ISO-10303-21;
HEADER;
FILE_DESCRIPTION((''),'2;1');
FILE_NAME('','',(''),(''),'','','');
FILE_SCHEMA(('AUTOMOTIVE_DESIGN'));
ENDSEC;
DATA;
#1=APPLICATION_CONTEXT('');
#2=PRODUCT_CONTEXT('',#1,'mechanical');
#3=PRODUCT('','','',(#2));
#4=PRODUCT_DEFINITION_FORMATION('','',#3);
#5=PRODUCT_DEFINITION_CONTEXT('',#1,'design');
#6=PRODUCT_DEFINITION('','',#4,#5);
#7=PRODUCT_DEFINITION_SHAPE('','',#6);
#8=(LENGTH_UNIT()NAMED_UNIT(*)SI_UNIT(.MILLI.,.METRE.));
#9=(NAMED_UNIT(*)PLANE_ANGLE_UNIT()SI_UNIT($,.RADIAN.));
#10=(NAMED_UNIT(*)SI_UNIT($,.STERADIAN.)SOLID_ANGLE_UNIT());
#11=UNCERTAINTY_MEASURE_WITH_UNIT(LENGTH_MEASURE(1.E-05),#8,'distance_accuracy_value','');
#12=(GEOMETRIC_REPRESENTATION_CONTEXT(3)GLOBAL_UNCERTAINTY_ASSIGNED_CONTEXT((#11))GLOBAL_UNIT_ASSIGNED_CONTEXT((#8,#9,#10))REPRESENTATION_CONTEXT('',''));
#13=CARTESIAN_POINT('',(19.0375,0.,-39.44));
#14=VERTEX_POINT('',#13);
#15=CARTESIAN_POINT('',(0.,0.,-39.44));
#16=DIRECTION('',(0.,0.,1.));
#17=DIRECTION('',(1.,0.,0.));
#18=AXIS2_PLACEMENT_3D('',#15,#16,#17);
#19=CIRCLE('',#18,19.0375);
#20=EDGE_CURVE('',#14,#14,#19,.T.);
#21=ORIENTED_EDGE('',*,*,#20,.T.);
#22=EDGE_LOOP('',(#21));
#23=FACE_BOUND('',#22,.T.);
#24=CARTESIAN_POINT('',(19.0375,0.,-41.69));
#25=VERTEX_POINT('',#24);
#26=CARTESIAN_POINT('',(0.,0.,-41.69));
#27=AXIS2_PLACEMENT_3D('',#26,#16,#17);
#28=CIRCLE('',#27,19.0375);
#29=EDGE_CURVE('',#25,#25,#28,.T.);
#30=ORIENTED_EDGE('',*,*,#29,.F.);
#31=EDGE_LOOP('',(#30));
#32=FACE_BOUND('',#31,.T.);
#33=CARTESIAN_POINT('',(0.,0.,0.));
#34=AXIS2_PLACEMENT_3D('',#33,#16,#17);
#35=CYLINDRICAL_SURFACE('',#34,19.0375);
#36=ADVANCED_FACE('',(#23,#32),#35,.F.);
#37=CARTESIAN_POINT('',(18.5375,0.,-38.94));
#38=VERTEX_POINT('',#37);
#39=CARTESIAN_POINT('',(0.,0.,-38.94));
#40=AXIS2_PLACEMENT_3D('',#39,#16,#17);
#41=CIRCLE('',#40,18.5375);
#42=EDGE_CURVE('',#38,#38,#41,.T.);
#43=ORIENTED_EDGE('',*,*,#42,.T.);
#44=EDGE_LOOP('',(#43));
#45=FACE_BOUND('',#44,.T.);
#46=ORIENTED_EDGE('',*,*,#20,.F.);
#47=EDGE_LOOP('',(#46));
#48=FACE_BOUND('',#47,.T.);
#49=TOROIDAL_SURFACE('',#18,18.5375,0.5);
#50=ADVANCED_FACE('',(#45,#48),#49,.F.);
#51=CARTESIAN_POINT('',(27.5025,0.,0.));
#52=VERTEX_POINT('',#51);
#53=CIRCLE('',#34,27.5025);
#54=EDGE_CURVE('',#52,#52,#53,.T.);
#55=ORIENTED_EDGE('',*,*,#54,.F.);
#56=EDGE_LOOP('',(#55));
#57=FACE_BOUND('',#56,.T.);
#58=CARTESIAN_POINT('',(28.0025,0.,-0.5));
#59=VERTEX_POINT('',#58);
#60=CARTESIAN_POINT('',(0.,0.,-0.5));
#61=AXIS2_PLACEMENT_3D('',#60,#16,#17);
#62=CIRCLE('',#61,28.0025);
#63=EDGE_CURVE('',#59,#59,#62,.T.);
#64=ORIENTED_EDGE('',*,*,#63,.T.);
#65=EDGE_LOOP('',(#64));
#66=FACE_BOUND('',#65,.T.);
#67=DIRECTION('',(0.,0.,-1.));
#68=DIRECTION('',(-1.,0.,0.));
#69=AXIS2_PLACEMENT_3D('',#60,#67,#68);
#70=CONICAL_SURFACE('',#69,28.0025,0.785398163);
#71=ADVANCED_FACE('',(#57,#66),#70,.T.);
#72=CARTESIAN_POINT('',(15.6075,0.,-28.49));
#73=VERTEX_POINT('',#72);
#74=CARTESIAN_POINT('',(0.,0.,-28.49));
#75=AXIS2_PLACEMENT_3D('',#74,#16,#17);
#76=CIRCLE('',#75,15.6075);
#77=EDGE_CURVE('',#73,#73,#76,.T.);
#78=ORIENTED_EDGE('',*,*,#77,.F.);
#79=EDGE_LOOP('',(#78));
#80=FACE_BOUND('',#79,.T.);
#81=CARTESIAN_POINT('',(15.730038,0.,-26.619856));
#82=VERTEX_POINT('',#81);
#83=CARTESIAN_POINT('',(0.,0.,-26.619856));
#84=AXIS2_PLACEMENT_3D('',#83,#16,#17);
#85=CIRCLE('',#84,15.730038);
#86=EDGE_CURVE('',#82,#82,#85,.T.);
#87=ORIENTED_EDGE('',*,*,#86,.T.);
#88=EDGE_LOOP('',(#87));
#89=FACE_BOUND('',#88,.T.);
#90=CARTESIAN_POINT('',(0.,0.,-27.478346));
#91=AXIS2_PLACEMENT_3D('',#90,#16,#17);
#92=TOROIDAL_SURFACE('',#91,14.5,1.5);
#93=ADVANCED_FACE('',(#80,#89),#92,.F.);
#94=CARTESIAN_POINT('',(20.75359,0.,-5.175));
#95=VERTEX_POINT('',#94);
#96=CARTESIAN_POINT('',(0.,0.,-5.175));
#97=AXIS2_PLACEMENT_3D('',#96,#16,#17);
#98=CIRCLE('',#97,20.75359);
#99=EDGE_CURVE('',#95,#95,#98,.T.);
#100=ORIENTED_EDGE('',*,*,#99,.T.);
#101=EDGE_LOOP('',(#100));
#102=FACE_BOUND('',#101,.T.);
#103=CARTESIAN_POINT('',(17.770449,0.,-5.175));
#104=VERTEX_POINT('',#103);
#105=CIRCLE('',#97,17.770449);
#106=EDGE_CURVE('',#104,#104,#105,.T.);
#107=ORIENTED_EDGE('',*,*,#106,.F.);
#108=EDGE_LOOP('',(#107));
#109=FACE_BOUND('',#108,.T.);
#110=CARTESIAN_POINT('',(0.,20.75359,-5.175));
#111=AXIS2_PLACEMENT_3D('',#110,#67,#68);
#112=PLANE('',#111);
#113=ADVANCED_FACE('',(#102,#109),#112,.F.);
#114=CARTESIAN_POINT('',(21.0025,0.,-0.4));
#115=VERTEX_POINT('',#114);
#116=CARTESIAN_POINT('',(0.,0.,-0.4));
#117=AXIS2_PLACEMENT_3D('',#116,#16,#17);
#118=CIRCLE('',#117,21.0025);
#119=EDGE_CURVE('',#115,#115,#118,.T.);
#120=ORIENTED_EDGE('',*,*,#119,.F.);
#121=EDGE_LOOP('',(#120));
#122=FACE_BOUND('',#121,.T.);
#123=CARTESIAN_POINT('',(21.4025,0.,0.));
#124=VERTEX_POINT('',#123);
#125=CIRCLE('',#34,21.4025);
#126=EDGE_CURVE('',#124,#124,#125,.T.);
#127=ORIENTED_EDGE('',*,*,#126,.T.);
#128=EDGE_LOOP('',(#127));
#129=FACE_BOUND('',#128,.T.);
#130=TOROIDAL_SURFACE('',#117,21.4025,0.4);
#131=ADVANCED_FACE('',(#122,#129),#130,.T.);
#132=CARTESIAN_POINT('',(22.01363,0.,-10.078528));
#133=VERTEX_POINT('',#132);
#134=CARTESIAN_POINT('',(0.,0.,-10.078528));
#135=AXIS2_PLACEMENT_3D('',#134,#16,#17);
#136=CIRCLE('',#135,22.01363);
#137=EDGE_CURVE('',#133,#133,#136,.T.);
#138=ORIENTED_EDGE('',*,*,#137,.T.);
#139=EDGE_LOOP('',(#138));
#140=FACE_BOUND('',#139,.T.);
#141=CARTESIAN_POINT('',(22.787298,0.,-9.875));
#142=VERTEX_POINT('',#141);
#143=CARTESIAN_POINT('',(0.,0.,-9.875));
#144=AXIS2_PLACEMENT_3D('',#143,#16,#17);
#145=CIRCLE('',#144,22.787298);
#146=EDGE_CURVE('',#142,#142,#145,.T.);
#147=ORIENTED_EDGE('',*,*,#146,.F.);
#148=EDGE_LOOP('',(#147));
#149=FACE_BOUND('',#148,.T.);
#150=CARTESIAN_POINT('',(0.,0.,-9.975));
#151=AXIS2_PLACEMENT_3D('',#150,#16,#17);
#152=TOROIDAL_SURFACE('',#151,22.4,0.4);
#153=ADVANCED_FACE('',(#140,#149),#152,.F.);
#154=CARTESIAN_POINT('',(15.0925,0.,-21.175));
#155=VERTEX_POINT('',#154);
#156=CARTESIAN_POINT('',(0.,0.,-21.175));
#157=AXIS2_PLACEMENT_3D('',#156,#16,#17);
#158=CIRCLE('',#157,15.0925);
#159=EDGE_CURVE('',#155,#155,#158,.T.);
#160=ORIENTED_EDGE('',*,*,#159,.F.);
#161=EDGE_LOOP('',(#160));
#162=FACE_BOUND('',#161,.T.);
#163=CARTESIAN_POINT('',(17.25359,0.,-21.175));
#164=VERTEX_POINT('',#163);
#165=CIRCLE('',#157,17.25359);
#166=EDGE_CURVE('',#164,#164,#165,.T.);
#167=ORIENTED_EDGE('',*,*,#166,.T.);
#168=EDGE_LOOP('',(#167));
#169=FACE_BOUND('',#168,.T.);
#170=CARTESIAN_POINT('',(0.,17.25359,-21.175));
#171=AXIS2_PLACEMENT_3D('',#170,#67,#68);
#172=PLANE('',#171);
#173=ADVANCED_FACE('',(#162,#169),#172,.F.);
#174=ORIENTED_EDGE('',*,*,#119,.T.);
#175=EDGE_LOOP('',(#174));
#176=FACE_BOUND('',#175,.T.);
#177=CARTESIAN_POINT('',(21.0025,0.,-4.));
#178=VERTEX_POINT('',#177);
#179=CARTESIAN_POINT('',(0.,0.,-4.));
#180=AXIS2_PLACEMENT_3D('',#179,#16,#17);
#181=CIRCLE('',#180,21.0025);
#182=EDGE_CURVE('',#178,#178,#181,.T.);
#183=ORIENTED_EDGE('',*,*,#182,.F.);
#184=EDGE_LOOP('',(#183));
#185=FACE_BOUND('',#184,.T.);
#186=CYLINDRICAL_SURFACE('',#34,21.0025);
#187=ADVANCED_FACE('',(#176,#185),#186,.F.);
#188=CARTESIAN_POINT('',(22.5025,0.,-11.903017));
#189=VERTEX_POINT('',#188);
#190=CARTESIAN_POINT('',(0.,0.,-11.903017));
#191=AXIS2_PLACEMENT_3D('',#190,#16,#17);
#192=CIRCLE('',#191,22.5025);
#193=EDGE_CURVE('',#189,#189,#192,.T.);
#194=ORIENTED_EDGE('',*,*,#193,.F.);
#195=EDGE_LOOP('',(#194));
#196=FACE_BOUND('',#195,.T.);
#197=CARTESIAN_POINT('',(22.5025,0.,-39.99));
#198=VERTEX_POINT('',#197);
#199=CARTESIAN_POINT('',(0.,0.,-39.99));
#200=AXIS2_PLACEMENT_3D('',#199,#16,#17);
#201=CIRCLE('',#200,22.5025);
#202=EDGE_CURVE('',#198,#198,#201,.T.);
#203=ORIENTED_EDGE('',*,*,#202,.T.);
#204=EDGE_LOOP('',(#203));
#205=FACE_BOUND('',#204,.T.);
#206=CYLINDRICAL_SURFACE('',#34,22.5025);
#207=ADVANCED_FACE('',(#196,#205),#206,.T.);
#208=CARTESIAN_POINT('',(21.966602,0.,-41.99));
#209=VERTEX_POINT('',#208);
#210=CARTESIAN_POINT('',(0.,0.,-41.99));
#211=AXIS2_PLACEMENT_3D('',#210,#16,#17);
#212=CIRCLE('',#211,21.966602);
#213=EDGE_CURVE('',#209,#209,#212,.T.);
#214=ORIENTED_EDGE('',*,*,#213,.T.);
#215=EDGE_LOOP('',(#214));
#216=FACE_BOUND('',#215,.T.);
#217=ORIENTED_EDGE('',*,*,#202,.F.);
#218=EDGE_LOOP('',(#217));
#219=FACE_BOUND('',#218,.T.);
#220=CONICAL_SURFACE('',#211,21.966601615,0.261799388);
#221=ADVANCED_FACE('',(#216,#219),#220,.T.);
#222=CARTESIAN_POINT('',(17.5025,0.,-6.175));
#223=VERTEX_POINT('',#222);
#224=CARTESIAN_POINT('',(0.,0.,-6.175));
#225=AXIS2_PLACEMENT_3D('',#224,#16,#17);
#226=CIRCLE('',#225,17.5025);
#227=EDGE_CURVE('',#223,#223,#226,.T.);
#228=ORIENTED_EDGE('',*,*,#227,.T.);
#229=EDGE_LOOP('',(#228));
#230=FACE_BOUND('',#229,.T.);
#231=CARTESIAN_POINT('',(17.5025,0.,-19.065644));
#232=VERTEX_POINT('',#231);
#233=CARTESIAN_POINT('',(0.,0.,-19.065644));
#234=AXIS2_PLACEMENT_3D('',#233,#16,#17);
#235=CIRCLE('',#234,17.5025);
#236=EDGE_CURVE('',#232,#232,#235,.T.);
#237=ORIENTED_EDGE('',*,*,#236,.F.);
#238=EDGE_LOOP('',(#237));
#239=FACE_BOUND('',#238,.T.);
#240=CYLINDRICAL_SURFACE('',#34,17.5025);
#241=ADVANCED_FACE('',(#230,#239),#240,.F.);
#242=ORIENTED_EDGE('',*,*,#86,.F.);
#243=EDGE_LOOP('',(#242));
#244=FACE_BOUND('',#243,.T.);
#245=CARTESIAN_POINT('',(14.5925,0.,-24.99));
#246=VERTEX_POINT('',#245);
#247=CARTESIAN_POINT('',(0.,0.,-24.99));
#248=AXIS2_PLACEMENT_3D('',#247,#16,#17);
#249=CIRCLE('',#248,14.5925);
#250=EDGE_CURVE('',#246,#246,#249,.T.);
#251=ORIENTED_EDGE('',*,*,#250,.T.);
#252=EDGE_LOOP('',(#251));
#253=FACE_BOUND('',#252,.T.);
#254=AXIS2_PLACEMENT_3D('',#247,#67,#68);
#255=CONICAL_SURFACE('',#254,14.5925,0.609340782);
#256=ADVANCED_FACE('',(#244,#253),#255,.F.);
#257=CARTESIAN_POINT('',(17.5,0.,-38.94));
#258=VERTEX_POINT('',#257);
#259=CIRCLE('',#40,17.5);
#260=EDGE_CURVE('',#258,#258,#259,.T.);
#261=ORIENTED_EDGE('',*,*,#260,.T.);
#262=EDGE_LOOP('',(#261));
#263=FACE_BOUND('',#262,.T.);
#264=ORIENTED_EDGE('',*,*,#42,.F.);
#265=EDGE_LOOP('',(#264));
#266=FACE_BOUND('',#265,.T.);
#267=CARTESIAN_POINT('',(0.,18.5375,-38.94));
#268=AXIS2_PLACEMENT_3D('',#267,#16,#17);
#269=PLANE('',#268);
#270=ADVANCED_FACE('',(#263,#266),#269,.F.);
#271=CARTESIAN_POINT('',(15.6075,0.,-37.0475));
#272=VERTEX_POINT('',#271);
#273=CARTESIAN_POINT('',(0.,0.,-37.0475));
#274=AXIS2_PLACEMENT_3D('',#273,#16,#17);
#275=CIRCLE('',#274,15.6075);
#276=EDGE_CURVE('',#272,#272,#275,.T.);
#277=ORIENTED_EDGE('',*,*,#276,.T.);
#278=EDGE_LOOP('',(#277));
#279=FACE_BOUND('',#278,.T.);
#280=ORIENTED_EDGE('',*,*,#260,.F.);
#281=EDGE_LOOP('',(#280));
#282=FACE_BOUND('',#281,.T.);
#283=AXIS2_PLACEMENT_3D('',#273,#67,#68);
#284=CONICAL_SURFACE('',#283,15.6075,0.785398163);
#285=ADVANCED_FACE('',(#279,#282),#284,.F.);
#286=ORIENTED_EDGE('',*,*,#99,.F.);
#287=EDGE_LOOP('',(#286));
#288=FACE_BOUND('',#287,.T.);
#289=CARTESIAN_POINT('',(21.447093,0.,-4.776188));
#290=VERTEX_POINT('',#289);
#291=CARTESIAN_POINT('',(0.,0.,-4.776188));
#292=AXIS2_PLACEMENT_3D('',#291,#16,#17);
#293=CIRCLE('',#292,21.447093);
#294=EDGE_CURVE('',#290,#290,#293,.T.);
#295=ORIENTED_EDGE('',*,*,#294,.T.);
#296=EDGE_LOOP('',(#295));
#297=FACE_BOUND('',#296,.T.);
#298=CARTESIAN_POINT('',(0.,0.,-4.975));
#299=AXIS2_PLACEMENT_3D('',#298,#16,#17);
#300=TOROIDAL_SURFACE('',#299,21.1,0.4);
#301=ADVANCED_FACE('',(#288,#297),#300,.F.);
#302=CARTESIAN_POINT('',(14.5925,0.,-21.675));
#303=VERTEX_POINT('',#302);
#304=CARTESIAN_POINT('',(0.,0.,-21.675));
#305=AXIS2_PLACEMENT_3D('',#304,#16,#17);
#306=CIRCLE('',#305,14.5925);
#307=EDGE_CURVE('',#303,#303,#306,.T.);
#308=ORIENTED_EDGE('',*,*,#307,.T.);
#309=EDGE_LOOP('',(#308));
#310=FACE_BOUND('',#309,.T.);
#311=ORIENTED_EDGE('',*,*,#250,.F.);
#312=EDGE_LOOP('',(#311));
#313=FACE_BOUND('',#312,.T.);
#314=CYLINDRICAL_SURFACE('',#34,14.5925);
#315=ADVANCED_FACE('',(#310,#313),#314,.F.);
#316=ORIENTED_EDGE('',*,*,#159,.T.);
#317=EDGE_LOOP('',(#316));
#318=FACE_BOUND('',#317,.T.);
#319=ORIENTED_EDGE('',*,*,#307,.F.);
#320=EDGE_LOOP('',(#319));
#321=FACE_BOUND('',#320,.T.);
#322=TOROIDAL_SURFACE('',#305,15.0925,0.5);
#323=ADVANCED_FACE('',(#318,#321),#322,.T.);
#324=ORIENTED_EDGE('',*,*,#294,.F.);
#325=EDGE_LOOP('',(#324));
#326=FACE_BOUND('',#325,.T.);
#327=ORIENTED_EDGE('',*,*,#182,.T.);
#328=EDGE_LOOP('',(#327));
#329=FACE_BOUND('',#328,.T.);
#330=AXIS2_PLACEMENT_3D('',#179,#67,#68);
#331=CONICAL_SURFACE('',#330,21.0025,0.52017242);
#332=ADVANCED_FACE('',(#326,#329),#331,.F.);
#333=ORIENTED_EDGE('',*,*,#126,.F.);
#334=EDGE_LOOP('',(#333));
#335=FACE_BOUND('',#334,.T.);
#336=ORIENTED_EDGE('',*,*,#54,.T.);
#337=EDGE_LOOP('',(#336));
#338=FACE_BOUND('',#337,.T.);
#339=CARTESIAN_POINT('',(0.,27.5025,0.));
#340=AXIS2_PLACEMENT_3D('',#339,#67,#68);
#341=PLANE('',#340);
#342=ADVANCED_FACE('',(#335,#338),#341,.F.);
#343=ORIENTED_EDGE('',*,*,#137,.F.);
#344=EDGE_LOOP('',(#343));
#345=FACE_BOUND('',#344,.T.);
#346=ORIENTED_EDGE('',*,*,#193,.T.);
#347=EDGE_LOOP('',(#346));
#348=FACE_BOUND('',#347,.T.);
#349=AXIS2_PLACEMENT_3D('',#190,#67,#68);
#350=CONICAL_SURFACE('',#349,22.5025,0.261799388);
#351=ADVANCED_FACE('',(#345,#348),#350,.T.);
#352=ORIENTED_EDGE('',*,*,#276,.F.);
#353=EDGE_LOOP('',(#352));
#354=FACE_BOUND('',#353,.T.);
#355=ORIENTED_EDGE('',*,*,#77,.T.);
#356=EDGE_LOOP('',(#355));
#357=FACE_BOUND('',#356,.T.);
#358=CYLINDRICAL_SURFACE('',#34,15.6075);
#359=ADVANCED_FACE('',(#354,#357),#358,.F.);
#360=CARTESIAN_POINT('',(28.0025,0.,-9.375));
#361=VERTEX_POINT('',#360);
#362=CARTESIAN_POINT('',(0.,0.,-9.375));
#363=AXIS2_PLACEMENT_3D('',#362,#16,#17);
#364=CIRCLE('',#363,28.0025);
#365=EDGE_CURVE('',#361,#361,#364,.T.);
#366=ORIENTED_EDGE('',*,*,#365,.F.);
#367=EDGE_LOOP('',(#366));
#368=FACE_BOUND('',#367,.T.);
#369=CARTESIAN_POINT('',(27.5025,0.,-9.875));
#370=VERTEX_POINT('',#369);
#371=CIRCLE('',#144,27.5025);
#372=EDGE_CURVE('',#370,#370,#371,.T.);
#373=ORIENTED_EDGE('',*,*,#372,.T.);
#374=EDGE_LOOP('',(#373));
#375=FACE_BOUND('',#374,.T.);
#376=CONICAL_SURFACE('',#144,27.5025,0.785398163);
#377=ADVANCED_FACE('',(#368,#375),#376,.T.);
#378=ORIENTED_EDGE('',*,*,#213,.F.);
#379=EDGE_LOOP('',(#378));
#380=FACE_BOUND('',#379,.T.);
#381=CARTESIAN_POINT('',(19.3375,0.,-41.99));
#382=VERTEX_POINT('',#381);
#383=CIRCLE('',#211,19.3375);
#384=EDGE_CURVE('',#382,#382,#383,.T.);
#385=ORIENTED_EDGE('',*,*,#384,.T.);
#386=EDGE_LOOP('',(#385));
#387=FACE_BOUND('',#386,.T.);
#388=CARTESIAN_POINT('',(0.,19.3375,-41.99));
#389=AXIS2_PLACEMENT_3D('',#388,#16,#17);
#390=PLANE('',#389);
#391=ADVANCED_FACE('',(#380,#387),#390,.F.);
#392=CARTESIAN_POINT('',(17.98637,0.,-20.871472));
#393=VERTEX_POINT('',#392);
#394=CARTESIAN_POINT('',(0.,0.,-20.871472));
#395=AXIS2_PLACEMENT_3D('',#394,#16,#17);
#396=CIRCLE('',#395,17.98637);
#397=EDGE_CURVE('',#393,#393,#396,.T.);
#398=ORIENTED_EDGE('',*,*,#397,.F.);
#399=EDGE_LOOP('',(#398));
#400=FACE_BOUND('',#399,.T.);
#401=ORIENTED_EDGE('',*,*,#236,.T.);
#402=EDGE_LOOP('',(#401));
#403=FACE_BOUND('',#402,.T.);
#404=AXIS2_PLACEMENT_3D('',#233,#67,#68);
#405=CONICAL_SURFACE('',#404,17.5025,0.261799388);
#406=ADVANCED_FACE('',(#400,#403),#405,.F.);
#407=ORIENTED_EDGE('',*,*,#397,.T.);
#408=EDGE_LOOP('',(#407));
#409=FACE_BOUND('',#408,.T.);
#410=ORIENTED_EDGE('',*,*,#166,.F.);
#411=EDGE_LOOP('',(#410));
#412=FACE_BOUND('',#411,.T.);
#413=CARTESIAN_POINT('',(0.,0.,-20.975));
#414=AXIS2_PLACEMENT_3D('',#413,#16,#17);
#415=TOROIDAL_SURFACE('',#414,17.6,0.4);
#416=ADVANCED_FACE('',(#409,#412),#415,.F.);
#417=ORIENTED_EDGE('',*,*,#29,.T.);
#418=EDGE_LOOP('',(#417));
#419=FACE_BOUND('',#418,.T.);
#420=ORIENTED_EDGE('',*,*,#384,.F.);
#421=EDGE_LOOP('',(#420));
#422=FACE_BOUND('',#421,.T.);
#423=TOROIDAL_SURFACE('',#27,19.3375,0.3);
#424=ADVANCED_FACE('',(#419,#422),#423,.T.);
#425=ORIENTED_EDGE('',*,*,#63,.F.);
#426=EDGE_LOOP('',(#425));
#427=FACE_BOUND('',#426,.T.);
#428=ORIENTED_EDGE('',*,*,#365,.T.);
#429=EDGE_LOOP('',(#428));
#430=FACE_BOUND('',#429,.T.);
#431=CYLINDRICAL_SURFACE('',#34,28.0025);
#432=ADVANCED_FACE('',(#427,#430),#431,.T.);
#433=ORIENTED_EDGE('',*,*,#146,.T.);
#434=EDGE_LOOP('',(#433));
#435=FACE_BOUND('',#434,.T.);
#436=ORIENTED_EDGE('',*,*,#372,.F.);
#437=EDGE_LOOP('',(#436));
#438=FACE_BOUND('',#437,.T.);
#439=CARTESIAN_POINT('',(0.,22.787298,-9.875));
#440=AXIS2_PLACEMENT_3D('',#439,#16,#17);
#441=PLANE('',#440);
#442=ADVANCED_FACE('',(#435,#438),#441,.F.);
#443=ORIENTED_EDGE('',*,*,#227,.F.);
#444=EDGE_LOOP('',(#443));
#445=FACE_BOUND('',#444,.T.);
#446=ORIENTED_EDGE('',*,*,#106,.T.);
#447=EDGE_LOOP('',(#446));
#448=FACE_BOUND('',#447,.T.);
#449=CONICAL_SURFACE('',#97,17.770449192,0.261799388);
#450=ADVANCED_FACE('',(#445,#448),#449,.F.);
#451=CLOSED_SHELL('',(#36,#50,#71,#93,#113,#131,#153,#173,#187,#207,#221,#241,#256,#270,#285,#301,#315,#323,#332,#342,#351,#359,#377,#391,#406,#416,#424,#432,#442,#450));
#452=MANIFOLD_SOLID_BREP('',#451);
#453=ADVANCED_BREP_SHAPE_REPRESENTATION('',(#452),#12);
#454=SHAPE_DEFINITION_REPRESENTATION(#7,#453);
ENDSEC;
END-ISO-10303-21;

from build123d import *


with BuildPart() as part:
    # Sketch1 → Revolve1 (revolve)
    with BuildSketch(Plane(origin=(0, 0, 0), x_dir=(0, 0, -1), z_dir=(1, 0, 0)), mode=Mode.PRIVATE) as revolve1_sk:
        with BuildLine():
            Line((0, 27.5025), (0, 21.4025))
            ThreePointArc((0, 21.4025), (0.117157288, 21.119657288), (0.4, 21.0025))
            Line((0.4, 21.0025), (4, 21.0025))
            Line((4, 21.0025), (4.776188096, 21.447093398))
            ThreePointArc((4.776188096, 21.447093398), (5.321752289, 21.299406245), (5.175, 20.753589838))
            Line((5.175, 20.753589838), (5.175, 17.770449192))
            Line((5.175, 17.770449192), (6.175, 17.5025))
            Line((6.175, 17.5025), (19.065643724, 17.5025))
            Line((19.065643724, 17.5025), (20.871472382, 17.986370331))
            ThreePointArc((20.871472382, 17.986370331), (21.344551813, 17.753073373), (21.175, 17.253589838))
            Line((21.175, 17.253589838), (21.175, 15.0925))
            ThreePointArc((21.175, 15.0925), (21.321446609, 14.738946609), (21.675, 14.5925))
            Line((21.675, 14.5925), (24.99, 14.5925))
            Line((24.99, 14.5925), (26.619855519, 15.730038226))
            ThreePointArc((26.619855519, 15.730038226), (27.576420826, 15.996790344), (28.49, 15.6075))
            Line((28.49, 15.6075), (37.0475, 15.6075))
            Line((37.0475, 15.6075), (38.94, 17.5))
            Line((38.94, 17.5), (38.94, 18.5375))
            ThreePointArc((38.94, 18.5375), (39.086446609, 18.891053391), (39.44, 19.0375))
            Line((39.44, 19.0375), (41.69, 19.0375))
            ThreePointArc((41.69, 19.0375), (41.902132034, 19.125367966), (41.99, 19.3375))
            Line((41.99, 19.3375), (41.99, 21.966601615))
            Line((41.99, 21.966601615), (39.99, 22.5025))
            Line((39.99, 22.5025), (11.90301653, 22.5025))
            Line((11.90301653, 22.5025), (10.078527618, 22.013629669))
            ThreePointArc((10.078527618, 22.013629669), (9.588161646, 22.298235133), (9.875, 22.787298335))
            Line((9.875, 22.787298335), (9.875, 27.5025))
            Line((9.875, 27.5025), (9.375, 28.0025))
            Line((9.375, 28.0025), (0.5, 28.0025))
            Line((0.5, 28.0025), (0, 27.5025))
        make_face()
    revolve(revolve1_sk.sketch.rotate(Axis((0, 0, 0), (0, 0, -1)), 90), axis=Axis((0, 0, 0), (0, 0, -1)))


solid = part.part
